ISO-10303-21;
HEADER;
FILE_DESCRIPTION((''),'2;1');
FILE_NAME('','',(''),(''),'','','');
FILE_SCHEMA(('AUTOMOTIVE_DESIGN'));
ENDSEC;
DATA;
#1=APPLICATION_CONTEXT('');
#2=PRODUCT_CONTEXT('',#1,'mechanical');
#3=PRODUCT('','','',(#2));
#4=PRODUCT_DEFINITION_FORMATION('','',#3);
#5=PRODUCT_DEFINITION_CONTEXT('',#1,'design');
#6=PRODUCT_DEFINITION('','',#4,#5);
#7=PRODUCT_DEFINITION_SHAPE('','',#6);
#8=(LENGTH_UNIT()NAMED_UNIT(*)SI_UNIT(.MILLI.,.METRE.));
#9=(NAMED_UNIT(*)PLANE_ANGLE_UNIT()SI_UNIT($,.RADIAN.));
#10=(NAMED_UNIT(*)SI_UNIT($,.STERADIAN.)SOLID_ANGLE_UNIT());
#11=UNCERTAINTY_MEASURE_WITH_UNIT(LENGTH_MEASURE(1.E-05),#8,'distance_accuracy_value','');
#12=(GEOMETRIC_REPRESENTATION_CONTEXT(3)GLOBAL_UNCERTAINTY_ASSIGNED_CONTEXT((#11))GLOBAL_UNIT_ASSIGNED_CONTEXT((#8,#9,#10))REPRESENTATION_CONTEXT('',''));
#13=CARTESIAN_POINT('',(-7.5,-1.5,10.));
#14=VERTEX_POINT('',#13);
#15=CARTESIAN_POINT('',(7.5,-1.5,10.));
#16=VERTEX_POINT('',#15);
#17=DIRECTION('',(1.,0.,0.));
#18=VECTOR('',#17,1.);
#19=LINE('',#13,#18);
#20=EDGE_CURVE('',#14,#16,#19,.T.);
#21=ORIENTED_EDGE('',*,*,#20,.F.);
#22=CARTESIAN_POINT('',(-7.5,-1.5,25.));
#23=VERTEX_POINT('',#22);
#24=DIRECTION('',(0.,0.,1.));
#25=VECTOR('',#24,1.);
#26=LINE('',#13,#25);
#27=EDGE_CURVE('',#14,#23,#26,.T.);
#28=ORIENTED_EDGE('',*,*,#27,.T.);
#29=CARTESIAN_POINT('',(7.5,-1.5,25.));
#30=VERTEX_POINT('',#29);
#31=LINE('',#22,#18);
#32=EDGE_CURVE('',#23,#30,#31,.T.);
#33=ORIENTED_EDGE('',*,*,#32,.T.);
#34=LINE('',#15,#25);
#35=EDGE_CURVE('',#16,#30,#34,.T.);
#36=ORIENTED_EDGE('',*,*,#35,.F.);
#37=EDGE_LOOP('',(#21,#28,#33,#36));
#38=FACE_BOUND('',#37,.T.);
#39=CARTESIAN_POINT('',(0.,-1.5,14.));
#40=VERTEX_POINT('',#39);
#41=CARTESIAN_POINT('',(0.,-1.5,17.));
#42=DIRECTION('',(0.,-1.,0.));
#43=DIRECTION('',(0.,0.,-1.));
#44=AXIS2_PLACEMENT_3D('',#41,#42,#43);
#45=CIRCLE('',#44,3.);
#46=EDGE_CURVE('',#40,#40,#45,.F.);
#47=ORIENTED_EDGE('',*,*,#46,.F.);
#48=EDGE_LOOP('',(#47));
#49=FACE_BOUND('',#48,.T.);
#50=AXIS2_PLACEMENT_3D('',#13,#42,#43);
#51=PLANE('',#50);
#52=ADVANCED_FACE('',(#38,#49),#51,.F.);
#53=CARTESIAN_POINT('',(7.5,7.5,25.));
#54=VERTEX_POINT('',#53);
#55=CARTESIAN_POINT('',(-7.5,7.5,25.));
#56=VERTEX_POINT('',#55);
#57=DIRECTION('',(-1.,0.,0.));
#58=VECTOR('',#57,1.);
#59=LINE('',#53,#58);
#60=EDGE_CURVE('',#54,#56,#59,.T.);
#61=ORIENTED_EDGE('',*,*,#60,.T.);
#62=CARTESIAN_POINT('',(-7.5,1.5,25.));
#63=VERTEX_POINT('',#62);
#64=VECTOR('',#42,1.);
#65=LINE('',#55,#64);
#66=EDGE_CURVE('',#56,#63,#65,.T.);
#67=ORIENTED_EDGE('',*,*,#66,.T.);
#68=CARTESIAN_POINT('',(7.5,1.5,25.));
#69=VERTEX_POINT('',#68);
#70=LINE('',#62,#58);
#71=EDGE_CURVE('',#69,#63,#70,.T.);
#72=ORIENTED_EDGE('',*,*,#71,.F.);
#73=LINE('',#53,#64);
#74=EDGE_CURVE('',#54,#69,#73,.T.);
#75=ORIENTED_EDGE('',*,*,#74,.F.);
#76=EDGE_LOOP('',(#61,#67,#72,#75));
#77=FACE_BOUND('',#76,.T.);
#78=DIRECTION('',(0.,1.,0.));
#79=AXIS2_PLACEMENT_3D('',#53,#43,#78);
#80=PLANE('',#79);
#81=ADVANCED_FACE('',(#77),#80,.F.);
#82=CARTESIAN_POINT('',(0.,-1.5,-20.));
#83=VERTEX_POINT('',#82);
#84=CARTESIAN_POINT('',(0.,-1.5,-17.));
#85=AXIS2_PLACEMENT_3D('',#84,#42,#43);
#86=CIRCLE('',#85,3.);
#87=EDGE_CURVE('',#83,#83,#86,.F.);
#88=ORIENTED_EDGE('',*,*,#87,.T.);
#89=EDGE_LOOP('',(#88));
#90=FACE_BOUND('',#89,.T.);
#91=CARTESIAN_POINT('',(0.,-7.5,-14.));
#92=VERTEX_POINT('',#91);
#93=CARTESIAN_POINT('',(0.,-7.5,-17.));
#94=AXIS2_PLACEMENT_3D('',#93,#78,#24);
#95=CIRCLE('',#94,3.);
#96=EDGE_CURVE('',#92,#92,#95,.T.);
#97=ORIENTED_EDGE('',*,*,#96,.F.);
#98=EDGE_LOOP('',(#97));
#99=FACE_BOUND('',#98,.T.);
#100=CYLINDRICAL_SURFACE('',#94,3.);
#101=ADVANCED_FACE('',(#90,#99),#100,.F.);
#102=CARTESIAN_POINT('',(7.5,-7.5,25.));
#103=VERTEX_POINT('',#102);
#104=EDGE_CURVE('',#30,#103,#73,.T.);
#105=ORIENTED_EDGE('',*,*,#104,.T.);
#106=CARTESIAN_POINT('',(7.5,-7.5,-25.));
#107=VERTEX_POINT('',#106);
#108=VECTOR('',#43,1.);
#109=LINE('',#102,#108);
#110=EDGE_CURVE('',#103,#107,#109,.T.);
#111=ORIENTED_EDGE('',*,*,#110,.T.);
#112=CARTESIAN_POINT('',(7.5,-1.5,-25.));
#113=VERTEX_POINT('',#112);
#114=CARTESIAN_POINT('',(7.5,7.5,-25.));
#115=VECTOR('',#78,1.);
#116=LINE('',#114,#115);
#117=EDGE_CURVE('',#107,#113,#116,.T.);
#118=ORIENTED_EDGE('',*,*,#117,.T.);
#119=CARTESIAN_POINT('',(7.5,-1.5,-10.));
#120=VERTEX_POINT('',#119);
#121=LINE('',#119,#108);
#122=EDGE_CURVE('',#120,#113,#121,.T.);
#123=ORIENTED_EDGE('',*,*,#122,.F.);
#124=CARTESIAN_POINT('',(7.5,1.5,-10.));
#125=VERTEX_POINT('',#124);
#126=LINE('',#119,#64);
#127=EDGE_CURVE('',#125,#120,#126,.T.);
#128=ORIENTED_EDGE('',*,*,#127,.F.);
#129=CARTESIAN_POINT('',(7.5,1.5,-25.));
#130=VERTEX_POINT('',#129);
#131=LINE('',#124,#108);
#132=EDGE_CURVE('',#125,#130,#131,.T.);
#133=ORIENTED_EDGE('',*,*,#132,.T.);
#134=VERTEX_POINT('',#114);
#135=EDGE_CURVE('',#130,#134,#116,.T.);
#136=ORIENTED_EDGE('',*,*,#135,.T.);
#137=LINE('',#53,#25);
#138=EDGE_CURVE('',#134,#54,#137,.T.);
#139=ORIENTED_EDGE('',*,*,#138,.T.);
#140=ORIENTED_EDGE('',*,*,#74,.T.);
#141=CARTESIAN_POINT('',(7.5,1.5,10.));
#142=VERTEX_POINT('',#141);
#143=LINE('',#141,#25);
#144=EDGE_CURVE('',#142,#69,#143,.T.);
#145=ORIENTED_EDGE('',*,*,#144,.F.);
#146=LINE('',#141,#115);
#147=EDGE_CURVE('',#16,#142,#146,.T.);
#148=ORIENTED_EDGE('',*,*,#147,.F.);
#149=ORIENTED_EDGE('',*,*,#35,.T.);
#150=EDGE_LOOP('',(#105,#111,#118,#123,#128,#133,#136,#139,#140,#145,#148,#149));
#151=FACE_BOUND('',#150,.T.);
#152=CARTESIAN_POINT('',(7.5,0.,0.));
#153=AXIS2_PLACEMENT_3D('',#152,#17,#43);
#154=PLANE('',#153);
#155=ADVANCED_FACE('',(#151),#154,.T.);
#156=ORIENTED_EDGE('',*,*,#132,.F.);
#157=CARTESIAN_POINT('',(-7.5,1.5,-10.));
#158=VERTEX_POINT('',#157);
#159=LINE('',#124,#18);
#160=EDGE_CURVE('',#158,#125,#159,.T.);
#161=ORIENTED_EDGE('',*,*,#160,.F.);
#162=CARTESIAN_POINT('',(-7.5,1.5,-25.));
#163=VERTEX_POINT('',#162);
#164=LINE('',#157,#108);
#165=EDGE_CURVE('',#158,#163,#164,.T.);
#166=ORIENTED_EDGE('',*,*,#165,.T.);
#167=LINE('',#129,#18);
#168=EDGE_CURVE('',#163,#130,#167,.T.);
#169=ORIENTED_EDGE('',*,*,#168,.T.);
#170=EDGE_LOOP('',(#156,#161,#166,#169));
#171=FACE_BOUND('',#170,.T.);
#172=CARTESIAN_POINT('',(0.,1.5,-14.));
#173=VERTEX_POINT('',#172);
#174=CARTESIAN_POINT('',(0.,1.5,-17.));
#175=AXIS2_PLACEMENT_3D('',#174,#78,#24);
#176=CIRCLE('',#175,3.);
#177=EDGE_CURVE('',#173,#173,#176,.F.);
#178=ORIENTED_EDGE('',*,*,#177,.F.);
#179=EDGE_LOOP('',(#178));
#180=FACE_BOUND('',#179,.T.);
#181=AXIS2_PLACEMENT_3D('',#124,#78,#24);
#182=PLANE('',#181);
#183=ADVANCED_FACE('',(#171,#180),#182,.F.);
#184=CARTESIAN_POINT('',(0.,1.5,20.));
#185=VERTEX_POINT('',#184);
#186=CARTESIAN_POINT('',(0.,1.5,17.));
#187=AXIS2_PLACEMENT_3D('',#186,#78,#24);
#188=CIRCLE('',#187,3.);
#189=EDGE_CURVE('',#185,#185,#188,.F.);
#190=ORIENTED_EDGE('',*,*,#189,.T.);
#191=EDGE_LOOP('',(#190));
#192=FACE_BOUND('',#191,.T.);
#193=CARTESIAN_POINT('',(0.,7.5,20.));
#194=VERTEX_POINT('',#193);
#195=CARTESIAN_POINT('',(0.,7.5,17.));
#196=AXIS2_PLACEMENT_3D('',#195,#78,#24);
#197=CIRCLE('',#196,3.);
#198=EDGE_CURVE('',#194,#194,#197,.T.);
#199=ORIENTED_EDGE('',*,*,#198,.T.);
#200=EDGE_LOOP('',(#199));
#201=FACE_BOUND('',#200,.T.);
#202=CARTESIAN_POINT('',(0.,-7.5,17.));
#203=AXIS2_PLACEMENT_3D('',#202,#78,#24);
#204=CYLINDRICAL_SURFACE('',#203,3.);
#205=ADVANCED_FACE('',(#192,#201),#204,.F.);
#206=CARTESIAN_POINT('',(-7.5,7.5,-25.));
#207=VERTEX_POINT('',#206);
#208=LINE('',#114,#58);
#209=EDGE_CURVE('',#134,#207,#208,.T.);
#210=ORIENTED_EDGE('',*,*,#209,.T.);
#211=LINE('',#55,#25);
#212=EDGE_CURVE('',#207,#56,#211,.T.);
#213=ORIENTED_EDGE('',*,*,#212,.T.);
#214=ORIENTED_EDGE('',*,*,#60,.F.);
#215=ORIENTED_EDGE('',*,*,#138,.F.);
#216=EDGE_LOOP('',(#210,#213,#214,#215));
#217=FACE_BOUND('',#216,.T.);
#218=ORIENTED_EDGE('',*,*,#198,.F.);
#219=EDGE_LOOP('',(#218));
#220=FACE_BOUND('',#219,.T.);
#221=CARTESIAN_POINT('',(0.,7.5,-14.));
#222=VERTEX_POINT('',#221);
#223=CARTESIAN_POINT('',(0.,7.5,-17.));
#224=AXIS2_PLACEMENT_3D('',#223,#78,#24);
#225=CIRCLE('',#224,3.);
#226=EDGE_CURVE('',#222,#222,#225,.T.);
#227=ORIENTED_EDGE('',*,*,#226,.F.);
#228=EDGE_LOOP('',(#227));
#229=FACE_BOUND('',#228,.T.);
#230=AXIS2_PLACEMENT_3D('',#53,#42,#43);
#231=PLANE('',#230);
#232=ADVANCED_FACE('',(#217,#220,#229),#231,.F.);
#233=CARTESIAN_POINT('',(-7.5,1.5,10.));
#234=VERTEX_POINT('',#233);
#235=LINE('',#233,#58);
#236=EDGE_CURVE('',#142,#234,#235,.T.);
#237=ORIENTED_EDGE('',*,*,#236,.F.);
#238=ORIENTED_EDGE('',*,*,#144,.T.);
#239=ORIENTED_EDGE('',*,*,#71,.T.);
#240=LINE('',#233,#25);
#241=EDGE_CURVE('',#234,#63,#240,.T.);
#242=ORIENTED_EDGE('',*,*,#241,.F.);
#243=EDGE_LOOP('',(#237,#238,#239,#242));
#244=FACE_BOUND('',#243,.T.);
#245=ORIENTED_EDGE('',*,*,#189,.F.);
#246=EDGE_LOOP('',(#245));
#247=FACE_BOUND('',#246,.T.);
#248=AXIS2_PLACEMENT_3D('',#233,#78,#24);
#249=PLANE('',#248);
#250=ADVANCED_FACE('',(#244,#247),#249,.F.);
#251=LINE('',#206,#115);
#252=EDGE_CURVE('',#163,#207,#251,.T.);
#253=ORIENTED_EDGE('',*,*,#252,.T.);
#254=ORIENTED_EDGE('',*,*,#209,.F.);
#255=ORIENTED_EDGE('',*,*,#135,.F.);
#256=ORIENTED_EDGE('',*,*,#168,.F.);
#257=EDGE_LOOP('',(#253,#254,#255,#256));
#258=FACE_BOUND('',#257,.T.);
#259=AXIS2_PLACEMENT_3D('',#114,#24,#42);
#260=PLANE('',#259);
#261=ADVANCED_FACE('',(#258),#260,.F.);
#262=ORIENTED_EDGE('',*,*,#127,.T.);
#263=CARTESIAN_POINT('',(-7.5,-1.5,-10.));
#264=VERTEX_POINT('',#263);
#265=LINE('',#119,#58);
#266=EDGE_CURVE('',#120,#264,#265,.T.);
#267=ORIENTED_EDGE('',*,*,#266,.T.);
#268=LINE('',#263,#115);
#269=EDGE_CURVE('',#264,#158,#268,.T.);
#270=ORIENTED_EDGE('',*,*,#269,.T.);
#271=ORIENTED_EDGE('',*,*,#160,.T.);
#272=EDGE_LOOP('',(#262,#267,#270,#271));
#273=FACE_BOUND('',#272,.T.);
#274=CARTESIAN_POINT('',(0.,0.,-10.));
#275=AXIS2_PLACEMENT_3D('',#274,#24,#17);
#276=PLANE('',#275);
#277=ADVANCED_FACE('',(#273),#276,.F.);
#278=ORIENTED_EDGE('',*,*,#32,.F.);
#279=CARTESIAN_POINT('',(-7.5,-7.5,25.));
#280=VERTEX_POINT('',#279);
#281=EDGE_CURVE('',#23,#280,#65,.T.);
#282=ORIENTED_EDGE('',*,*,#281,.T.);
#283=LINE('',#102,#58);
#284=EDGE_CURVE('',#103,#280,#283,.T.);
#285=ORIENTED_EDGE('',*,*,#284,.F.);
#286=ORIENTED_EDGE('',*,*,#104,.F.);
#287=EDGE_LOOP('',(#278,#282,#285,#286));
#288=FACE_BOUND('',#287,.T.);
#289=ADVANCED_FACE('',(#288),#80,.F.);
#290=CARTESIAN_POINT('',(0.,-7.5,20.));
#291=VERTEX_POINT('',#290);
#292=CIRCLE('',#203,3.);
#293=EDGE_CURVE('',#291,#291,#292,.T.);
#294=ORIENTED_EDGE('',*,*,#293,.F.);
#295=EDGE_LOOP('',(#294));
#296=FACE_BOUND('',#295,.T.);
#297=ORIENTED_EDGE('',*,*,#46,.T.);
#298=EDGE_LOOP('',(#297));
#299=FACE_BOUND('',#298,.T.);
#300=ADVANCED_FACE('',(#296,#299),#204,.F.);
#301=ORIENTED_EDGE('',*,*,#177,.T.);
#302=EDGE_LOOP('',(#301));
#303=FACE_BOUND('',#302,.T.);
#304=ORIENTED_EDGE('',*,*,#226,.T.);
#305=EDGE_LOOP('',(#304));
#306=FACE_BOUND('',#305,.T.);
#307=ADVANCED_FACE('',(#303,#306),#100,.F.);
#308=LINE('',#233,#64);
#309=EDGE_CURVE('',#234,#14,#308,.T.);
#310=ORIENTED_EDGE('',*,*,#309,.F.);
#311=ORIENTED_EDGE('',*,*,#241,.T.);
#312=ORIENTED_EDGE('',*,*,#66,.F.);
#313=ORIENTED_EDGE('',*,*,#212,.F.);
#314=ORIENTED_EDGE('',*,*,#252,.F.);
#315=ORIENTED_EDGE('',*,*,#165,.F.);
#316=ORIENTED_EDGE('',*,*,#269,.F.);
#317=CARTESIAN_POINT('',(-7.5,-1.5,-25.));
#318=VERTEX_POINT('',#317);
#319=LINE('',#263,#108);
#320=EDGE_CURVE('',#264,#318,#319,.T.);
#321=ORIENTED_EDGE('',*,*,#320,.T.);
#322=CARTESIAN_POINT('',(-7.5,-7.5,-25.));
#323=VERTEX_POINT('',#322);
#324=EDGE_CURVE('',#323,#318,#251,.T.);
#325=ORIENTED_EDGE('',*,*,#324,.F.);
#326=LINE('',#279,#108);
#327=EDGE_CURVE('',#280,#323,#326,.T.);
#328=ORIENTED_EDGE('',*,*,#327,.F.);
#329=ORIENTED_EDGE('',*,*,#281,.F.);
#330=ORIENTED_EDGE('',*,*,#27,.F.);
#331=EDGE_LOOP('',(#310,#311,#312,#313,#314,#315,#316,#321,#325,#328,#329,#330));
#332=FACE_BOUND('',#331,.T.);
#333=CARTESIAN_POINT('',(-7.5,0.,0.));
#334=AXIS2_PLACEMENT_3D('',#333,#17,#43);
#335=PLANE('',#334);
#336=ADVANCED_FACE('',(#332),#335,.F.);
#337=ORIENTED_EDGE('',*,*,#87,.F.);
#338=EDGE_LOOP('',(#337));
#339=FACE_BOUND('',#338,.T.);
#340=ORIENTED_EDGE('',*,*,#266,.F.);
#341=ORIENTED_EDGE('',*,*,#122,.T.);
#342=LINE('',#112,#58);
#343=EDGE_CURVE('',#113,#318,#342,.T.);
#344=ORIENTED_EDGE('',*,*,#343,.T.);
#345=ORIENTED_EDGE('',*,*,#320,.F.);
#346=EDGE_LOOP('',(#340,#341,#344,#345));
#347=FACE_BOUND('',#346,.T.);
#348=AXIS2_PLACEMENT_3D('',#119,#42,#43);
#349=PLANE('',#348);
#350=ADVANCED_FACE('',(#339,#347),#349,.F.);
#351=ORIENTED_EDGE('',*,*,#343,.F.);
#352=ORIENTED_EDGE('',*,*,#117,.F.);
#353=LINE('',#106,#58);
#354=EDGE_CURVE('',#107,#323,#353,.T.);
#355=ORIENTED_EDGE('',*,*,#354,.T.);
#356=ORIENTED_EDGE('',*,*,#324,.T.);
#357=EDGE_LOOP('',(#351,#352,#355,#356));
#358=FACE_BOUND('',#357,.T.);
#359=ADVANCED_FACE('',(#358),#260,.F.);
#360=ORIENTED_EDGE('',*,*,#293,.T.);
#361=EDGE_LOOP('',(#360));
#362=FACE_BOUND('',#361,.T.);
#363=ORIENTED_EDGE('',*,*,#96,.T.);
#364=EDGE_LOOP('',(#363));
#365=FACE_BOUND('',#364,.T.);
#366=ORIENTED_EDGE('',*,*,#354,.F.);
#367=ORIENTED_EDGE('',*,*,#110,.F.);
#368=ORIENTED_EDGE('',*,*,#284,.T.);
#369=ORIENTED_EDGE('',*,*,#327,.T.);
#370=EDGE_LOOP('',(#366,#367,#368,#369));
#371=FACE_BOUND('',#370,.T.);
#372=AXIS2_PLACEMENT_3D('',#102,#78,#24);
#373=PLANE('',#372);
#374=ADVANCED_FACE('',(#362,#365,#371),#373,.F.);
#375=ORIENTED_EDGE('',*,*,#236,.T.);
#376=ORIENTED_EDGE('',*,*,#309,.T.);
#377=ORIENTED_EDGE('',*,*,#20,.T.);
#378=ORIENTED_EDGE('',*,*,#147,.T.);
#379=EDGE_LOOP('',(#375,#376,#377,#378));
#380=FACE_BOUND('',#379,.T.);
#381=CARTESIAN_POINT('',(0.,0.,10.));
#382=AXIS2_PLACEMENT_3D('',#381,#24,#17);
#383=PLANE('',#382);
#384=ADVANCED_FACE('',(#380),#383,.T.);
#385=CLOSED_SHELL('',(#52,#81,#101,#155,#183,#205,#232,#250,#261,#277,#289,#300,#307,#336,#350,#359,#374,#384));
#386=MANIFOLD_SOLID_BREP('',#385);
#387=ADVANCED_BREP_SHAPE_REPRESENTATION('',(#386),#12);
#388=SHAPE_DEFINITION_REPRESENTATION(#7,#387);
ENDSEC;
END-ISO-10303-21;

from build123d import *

# Parameters (mm, degrees)
ESQUISSE1_W             = 50
ESQUISSE1_H             = 15
BOSS_EXTRU_1_DEPTH      = 7.5
ESQUISSE3_R             = 3
ENL_V_MAT_EXTRU_2_DEPTH = 31.103986447
ESQUISSE4_W             = 15
ESQUISSE4_H             = 3
ENL_V_MAT_EXTRU_3_DEPTH = 15
ESQUISSE5_W             = 15
ESQUISSE5_H             = 3
ENL_V_MAT_EXTRU_4_DEPTH = 15


with BuildPart() as part:
    # Esquisse1 → Boss.-Extru.1 (new, symmetric)
    with BuildSketch(Plane(origin=(0, 0, 0), x_dir=(0, 0, -1), z_dir=(1, 0, 0))):
        Rectangle(ESQUISSE1_W, ESQUISSE1_H)
    extrude(amount=BOSS_EXTRU_1_DEPTH, both=True)

    # Esquisse3 → Enlèv. mat.-Extru.2 (cut, through all)
    with BuildSketch(Plane(origin=(0, 7.5, 0), x_dir=(1, 0, 0), z_dir=(0, 1, 0))):
        with Locations(Location((0, 17, 0), (0, 0, 270))):
            Circle(ESQUISSE3_R)
        with Locations(Location((0, -17, 0), (0, 0, 270))):
            Circle(ESQUISSE3_R)
    extrude(amount=-ENL_V_MAT_EXTRU_2_DEPTH, mode=Mode.SUBTRACT)

    # Esquisse4 → Enlèv. mat.-Extru.3 (cut)
    with BuildSketch(Plane.XY.offset(25)):
        Rectangle(ESQUISSE4_W, ESQUISSE4_H)
    extrude(amount=-ENL_V_MAT_EXTRU_3_DEPTH, mode=Mode.SUBTRACT)

    # Esquisse5 → Enlèv. mat.-Extru.4 (cut)
    with BuildSketch(Plane(origin=(0, 0, -25), x_dir=(-1, 0, 0), z_dir=(0, 0, -1))):
        Rectangle(ESQUISSE5_W, ESQUISSE5_H)
    extrude(amount=-ENL_V_MAT_EXTRU_4_DEPTH, mode=Mode.SUBTRACT)


solid = part.part
